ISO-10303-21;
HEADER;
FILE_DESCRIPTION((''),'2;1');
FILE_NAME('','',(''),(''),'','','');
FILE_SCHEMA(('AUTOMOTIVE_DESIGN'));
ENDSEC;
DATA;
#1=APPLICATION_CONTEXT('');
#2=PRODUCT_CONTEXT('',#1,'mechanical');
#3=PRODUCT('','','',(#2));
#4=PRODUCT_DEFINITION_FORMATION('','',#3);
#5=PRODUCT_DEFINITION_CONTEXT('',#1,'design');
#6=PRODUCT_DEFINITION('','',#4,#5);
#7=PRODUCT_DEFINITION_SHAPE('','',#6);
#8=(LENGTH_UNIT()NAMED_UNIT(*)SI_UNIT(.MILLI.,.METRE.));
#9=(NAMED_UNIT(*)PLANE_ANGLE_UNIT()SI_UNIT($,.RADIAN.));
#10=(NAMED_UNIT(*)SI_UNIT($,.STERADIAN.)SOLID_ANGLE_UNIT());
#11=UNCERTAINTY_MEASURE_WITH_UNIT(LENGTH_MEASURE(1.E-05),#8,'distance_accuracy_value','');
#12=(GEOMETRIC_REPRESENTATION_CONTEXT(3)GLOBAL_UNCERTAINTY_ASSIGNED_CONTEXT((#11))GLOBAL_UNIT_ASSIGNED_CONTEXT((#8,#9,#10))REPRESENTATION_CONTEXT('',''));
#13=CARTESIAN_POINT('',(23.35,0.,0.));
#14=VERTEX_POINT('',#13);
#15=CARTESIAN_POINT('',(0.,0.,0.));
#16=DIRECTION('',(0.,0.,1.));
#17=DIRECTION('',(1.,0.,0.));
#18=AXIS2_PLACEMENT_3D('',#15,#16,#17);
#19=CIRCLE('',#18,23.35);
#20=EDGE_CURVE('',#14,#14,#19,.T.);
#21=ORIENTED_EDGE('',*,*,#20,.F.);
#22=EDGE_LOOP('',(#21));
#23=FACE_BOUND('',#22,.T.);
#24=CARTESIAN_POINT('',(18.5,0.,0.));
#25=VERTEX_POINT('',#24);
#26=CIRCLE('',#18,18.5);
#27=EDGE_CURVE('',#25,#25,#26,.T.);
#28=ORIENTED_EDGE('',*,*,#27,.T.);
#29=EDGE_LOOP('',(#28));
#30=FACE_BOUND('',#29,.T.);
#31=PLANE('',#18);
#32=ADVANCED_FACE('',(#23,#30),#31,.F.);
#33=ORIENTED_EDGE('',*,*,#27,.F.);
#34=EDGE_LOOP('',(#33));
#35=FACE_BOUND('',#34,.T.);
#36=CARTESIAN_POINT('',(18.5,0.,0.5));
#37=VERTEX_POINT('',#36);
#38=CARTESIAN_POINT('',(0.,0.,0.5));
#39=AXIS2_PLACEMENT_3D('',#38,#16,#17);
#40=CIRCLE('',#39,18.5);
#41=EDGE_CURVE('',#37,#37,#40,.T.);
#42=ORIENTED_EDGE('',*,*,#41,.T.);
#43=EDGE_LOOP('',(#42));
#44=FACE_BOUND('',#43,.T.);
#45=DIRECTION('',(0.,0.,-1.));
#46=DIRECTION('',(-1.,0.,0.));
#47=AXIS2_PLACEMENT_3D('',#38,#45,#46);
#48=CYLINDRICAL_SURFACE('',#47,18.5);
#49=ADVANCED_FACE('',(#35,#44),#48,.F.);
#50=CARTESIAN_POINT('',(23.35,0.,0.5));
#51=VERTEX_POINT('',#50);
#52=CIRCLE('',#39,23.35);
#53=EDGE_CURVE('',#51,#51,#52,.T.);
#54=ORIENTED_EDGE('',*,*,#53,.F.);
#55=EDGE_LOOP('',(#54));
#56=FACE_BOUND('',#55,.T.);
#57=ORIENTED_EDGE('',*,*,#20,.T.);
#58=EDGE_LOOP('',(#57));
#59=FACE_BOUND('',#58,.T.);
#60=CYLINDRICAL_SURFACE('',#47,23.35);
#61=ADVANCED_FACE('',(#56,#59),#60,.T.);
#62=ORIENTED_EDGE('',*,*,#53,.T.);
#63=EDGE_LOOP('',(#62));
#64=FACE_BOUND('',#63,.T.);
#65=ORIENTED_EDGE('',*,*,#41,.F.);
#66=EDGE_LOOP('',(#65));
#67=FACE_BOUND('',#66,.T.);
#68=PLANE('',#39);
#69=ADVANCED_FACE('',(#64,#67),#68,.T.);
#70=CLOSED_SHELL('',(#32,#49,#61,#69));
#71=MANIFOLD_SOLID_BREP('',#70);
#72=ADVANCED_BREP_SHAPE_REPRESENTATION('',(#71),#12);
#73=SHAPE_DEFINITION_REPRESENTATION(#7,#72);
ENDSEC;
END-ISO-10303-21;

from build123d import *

# Parameters (mm, degrees)
ESQUISSE1_R          = 23.35
ESQUISSE1_R_2        = 18.5
BASE_EXTRUSION_DEPTH = 0.5


with BuildPart() as part:
    # Esquisse1 → Base-Extrusion (new body)
    with BuildSketch(Plane.XY):
        Circle(ESQUISSE1_R)
        Circle(ESQUISSE1_R_2, mode=Mode.SUBTRACT)
    extrude(amount=BASE_EXTRUSION_DEPTH)


solid = part.part
